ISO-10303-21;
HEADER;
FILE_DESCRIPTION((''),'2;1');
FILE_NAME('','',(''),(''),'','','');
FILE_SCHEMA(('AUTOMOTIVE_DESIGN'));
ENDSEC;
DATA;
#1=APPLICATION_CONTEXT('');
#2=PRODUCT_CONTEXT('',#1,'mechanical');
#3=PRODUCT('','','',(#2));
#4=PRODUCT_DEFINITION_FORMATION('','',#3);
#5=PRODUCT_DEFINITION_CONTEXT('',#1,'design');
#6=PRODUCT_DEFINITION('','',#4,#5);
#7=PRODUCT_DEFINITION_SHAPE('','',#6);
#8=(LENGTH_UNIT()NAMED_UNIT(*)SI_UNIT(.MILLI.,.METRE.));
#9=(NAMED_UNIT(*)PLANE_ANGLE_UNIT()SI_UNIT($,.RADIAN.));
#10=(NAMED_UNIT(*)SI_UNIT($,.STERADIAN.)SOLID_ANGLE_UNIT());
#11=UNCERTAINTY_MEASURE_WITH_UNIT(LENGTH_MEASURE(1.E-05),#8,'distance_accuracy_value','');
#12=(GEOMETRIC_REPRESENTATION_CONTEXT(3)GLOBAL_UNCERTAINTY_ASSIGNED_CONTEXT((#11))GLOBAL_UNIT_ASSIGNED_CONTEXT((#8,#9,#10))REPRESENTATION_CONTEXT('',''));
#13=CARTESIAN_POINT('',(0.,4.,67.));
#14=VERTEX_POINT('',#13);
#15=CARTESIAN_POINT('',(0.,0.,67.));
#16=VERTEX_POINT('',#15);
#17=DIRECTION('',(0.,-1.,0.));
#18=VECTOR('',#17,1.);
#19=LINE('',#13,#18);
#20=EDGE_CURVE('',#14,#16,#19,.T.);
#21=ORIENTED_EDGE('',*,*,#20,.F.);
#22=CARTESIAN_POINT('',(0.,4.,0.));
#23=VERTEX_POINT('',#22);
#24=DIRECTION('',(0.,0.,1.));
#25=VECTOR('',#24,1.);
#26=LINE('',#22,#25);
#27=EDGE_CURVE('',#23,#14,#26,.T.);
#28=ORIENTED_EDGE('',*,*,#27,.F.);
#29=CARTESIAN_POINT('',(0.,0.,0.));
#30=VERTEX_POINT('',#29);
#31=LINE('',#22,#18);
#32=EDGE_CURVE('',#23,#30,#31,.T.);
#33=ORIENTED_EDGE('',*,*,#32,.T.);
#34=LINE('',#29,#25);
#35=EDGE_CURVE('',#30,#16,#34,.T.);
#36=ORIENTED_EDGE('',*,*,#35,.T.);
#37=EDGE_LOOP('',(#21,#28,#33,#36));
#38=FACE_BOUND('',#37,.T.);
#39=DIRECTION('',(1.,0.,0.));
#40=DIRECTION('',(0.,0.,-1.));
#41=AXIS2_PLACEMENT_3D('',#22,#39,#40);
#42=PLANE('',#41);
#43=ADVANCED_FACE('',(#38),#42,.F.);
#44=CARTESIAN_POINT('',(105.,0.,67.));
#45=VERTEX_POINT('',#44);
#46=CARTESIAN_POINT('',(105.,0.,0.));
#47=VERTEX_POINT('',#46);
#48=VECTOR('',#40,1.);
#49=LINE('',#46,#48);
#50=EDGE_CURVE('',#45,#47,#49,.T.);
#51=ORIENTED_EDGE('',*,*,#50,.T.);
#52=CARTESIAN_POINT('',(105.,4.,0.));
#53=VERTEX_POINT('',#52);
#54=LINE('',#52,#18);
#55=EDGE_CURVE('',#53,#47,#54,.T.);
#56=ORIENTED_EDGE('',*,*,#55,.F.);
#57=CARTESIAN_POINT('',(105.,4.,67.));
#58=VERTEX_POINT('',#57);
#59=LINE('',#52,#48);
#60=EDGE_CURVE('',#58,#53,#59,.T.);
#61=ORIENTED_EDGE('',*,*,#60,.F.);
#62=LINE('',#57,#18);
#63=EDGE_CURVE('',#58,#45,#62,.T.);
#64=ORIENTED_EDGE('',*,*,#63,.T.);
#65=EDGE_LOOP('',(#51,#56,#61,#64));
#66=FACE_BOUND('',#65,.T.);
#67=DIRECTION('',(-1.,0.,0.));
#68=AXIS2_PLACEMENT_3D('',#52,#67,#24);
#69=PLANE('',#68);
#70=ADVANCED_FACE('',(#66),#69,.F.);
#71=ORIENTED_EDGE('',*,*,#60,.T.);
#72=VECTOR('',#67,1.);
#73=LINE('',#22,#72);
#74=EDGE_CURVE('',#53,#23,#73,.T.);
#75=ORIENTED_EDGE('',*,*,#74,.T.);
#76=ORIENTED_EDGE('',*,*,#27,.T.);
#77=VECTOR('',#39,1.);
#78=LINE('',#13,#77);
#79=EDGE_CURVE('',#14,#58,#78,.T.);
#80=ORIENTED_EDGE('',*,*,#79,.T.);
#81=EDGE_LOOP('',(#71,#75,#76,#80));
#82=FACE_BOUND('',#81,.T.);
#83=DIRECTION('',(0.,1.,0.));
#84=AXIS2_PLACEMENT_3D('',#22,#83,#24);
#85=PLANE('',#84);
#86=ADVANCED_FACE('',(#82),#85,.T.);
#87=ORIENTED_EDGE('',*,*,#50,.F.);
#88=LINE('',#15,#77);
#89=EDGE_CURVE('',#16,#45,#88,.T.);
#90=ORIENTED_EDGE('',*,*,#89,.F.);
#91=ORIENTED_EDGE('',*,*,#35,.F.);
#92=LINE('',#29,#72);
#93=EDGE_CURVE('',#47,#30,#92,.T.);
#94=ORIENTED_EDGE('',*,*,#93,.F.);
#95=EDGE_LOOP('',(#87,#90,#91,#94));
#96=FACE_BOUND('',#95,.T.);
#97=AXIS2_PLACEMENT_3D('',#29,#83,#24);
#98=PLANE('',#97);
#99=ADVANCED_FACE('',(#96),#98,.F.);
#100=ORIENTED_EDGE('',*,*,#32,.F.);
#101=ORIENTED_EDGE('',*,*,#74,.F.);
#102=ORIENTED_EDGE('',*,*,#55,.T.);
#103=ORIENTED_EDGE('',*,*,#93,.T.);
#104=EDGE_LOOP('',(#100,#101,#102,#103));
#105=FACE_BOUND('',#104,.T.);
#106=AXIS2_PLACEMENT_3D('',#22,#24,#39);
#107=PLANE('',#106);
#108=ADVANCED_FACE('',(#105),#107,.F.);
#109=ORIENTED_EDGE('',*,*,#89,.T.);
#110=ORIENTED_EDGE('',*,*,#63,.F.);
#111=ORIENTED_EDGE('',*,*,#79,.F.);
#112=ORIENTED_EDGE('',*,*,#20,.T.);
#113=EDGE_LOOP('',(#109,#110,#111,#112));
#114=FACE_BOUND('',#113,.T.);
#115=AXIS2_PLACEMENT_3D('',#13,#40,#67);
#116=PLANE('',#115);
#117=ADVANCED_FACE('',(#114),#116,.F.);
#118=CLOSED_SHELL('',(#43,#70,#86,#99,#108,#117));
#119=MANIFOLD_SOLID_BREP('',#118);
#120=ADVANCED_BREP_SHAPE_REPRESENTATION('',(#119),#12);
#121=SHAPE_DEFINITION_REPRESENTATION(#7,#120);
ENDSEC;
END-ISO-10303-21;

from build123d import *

# Parameters (mm, degrees)
SKETCH_1_W      = 105
SKETCH_1_H      = 67
EXTRUDE_1_DEPTH = 4


with BuildPart() as part:
    # 草图1 → 凸台-拉伸1 (new body)
    with BuildSketch(Plane(origin=(0, 0, 0), x_dir=(1, 0, 0), z_dir=(0, 1, 0))):
        with Locations((52.5, -33.5)):
            Rectangle(SKETCH_1_W, SKETCH_1_H)
    extrude(amount=EXTRUDE_1_DEPTH)


solid = part.part
